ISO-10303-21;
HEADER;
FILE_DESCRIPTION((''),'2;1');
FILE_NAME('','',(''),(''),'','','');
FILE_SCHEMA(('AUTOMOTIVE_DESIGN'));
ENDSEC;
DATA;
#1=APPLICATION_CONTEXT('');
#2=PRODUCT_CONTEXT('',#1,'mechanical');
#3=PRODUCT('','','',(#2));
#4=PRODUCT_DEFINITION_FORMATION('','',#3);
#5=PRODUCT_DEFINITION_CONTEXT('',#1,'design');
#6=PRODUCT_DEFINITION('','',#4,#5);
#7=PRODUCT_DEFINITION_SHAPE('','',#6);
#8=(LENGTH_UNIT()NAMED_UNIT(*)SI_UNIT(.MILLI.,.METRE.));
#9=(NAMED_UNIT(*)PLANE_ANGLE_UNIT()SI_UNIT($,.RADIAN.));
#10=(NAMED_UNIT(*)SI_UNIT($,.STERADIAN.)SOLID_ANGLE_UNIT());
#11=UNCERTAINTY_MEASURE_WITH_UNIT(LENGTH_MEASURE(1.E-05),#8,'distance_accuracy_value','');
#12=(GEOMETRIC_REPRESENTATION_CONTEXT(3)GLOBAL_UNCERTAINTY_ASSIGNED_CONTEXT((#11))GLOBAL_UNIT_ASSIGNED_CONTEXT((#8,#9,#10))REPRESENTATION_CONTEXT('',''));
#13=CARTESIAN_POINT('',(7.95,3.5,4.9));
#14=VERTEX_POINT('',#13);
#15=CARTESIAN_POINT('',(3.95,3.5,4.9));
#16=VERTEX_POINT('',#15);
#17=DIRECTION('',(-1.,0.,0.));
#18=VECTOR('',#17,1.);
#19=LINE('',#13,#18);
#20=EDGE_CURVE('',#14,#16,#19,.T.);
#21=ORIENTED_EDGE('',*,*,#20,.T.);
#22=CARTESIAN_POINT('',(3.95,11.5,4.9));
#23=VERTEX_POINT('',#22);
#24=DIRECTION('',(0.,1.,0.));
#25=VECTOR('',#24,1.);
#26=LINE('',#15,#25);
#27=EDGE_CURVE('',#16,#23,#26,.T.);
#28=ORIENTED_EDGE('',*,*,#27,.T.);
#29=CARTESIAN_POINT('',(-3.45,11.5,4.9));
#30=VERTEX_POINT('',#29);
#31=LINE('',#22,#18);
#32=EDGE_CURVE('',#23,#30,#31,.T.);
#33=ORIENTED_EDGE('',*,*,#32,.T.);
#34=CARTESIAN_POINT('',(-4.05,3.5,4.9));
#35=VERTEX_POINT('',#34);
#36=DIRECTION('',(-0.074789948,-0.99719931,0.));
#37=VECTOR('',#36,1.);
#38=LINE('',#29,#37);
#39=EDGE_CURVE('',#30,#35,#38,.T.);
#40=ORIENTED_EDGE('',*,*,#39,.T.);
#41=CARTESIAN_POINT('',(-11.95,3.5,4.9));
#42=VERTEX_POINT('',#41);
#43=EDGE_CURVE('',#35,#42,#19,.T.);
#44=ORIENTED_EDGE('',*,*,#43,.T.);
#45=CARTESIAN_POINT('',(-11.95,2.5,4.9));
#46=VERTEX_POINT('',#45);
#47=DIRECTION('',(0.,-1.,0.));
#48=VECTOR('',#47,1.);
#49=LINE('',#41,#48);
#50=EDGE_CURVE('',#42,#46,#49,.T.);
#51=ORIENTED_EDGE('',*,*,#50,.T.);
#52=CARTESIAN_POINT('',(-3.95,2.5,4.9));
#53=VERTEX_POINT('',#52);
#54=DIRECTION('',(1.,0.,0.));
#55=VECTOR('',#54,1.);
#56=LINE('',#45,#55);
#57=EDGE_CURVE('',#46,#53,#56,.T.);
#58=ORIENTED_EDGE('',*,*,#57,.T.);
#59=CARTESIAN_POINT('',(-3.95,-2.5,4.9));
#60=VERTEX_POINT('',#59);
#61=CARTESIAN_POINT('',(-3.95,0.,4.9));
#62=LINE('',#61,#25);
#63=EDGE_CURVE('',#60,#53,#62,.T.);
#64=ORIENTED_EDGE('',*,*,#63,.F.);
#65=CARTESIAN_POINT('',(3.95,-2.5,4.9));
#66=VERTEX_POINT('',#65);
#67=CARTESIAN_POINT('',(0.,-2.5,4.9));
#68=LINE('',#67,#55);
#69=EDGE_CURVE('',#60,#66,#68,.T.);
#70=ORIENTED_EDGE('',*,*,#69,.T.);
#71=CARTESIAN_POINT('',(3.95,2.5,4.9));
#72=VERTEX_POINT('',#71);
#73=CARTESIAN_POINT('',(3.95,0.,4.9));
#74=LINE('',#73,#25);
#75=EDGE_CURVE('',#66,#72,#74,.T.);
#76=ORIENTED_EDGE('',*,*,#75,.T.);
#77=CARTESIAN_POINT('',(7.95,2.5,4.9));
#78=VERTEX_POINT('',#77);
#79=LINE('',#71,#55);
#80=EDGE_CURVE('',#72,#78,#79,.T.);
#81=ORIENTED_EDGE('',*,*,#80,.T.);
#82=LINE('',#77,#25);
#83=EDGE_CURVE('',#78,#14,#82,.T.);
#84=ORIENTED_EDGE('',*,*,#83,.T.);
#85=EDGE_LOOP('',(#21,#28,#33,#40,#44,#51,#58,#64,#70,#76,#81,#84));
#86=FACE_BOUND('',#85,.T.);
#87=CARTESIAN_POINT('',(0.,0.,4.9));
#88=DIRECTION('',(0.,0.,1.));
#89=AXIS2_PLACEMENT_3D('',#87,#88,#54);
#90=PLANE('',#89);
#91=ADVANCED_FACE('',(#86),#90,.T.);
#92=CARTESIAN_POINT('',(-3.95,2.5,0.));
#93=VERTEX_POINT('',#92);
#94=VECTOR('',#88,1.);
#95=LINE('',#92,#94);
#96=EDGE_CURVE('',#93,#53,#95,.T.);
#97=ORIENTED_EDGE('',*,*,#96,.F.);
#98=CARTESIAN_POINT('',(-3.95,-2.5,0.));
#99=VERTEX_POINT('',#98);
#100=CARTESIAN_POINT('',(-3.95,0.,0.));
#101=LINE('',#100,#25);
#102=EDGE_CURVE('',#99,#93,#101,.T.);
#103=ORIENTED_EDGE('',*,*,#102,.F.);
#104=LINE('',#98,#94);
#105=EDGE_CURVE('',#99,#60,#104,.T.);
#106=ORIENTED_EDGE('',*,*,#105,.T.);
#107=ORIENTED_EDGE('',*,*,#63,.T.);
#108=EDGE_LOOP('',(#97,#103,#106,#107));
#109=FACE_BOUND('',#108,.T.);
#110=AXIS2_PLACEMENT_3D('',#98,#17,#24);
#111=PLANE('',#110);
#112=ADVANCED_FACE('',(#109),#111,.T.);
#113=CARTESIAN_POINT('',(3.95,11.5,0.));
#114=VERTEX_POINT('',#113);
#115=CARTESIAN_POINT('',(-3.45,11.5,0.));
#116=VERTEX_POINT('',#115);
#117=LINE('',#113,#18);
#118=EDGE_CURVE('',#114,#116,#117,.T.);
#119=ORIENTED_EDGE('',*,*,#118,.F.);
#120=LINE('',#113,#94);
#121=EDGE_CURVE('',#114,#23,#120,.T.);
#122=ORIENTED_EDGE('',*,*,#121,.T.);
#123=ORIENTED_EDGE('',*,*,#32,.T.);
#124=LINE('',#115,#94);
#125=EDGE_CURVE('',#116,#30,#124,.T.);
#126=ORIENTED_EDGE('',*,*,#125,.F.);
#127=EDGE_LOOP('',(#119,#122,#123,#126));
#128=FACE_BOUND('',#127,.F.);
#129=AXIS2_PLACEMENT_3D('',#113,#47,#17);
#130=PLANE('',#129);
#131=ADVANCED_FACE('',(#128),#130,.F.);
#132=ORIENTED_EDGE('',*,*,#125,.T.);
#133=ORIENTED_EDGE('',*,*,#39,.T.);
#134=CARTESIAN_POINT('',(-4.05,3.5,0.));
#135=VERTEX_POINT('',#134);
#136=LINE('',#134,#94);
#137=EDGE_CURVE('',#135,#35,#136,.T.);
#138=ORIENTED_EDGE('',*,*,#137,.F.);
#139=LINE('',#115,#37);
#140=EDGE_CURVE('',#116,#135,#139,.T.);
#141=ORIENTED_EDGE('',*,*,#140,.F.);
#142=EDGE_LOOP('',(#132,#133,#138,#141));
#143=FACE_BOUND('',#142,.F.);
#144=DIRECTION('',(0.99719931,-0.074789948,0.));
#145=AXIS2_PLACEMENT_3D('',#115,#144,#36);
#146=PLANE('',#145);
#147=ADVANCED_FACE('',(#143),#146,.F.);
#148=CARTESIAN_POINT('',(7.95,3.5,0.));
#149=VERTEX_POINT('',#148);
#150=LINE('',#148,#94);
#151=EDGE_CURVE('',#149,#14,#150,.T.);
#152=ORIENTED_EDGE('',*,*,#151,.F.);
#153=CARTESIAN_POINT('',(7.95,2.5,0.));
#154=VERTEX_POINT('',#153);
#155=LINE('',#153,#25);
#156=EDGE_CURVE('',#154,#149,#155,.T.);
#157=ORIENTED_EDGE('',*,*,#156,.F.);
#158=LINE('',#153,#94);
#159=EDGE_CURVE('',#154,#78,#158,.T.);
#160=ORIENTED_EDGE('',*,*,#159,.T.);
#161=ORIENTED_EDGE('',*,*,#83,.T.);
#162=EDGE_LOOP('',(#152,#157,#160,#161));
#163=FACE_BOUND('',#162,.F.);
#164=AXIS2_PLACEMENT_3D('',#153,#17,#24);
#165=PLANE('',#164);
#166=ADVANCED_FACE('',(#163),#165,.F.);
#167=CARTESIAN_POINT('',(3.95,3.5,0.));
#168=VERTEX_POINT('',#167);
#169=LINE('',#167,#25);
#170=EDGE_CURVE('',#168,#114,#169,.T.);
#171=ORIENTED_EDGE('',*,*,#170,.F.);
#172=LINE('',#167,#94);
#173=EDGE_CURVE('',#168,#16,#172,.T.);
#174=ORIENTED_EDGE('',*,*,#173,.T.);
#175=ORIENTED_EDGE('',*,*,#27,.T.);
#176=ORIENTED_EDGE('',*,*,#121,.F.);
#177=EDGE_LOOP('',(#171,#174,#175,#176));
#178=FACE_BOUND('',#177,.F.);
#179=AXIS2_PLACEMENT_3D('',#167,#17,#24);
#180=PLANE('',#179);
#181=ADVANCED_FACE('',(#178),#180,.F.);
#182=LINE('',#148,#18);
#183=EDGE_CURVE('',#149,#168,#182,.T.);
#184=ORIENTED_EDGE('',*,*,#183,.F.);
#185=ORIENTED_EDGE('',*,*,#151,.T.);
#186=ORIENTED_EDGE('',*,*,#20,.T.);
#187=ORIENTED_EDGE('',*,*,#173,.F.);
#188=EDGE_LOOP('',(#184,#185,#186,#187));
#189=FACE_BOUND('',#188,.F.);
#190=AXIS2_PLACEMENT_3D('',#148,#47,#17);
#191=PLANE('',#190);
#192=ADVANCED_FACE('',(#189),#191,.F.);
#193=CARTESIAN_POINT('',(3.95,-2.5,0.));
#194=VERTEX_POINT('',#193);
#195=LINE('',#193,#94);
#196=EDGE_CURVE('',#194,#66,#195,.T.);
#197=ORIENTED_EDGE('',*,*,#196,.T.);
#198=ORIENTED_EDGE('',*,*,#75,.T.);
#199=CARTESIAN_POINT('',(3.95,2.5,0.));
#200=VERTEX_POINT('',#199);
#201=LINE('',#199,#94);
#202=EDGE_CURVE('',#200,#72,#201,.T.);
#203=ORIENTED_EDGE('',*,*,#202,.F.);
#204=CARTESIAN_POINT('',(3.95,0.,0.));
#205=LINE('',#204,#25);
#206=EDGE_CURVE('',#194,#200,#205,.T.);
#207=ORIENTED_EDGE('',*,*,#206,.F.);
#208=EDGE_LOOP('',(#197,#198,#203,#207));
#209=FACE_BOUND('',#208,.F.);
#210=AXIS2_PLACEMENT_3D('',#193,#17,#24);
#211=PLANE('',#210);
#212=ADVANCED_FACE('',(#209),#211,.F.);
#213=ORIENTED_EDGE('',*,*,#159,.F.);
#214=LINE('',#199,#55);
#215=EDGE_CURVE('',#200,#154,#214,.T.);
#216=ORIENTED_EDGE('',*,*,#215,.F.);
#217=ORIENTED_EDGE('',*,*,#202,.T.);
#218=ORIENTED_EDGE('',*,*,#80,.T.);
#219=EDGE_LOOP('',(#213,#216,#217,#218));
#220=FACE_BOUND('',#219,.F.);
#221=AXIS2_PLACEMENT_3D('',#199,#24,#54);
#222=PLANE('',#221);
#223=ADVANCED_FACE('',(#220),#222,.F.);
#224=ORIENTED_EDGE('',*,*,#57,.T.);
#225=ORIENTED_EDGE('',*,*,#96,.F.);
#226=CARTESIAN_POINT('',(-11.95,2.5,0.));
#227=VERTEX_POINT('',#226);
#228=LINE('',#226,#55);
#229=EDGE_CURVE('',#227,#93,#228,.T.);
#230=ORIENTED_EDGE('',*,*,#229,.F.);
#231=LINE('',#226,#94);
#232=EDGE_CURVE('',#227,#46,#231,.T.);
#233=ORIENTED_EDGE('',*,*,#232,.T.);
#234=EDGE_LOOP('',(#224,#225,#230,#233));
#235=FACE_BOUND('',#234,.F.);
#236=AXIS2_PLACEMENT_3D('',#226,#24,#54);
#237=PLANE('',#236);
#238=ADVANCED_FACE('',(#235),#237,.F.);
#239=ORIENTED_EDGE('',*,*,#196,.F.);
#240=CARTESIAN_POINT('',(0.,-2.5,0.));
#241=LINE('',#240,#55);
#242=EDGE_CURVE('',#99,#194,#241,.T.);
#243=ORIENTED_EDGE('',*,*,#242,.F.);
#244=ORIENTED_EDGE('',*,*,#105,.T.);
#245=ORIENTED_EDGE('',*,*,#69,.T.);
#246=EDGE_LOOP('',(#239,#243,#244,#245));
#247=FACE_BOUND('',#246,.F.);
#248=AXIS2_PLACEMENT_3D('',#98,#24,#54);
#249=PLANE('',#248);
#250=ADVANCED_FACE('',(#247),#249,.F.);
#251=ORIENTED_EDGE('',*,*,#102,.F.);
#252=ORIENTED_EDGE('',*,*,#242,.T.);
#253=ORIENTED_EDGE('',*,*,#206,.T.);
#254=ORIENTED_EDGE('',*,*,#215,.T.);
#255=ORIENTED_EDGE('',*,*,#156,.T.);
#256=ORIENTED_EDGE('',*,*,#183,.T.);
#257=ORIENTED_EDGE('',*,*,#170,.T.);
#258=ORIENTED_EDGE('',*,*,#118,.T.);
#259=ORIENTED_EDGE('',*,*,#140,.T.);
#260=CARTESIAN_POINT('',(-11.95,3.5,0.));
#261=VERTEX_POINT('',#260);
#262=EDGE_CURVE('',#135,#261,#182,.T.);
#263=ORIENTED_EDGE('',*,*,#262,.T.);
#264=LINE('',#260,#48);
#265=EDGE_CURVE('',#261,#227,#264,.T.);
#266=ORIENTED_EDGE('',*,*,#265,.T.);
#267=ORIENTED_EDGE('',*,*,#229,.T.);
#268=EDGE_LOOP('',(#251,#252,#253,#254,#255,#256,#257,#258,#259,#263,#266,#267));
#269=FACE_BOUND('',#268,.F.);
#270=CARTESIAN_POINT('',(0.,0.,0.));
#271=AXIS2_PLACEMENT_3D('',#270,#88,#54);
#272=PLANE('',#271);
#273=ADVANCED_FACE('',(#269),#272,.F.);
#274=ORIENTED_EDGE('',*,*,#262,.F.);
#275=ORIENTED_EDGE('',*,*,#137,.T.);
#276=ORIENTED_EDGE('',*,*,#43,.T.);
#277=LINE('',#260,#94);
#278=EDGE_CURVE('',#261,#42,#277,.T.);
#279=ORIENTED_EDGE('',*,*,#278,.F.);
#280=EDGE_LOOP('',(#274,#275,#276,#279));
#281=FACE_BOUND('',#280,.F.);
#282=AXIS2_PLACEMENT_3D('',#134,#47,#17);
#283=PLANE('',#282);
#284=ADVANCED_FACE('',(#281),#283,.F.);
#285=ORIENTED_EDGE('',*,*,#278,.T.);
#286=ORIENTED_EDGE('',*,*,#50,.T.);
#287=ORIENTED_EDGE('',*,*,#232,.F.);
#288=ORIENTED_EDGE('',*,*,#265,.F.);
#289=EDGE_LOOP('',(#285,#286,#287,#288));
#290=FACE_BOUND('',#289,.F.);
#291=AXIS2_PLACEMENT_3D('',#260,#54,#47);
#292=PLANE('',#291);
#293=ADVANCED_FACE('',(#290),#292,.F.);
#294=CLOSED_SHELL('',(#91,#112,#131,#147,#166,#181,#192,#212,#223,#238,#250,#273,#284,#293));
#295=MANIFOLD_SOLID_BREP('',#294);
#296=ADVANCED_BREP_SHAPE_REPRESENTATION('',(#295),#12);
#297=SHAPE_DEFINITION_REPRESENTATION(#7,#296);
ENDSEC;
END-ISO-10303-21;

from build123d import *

# Parameters (mm, degrees)
F0_W     = 7.9
F0_H     = 5
F1_DEPTH = 4.9


with BuildPart() as f1:
    # F0 (on Top) → F1 (new body)
    with BuildSketch(Plane.XY):
        Rectangle(F0_W, F0_H)
        Polygon((-3.95, 2.5), (3.95, 2.5), (7.95, 2.5), (7.95, 3.5), (3.95, 3.5), (-4.05, 3.5), (-11.95, 3.5), (-11.95, 2.5), align=None)
        Polygon((-4.05, 3.5), (3.95, 3.5), (3.95, 11.5), (-3.45, 11.5), align=None)
    extrude(amount=F1_DEPTH)


solid = f1.part
